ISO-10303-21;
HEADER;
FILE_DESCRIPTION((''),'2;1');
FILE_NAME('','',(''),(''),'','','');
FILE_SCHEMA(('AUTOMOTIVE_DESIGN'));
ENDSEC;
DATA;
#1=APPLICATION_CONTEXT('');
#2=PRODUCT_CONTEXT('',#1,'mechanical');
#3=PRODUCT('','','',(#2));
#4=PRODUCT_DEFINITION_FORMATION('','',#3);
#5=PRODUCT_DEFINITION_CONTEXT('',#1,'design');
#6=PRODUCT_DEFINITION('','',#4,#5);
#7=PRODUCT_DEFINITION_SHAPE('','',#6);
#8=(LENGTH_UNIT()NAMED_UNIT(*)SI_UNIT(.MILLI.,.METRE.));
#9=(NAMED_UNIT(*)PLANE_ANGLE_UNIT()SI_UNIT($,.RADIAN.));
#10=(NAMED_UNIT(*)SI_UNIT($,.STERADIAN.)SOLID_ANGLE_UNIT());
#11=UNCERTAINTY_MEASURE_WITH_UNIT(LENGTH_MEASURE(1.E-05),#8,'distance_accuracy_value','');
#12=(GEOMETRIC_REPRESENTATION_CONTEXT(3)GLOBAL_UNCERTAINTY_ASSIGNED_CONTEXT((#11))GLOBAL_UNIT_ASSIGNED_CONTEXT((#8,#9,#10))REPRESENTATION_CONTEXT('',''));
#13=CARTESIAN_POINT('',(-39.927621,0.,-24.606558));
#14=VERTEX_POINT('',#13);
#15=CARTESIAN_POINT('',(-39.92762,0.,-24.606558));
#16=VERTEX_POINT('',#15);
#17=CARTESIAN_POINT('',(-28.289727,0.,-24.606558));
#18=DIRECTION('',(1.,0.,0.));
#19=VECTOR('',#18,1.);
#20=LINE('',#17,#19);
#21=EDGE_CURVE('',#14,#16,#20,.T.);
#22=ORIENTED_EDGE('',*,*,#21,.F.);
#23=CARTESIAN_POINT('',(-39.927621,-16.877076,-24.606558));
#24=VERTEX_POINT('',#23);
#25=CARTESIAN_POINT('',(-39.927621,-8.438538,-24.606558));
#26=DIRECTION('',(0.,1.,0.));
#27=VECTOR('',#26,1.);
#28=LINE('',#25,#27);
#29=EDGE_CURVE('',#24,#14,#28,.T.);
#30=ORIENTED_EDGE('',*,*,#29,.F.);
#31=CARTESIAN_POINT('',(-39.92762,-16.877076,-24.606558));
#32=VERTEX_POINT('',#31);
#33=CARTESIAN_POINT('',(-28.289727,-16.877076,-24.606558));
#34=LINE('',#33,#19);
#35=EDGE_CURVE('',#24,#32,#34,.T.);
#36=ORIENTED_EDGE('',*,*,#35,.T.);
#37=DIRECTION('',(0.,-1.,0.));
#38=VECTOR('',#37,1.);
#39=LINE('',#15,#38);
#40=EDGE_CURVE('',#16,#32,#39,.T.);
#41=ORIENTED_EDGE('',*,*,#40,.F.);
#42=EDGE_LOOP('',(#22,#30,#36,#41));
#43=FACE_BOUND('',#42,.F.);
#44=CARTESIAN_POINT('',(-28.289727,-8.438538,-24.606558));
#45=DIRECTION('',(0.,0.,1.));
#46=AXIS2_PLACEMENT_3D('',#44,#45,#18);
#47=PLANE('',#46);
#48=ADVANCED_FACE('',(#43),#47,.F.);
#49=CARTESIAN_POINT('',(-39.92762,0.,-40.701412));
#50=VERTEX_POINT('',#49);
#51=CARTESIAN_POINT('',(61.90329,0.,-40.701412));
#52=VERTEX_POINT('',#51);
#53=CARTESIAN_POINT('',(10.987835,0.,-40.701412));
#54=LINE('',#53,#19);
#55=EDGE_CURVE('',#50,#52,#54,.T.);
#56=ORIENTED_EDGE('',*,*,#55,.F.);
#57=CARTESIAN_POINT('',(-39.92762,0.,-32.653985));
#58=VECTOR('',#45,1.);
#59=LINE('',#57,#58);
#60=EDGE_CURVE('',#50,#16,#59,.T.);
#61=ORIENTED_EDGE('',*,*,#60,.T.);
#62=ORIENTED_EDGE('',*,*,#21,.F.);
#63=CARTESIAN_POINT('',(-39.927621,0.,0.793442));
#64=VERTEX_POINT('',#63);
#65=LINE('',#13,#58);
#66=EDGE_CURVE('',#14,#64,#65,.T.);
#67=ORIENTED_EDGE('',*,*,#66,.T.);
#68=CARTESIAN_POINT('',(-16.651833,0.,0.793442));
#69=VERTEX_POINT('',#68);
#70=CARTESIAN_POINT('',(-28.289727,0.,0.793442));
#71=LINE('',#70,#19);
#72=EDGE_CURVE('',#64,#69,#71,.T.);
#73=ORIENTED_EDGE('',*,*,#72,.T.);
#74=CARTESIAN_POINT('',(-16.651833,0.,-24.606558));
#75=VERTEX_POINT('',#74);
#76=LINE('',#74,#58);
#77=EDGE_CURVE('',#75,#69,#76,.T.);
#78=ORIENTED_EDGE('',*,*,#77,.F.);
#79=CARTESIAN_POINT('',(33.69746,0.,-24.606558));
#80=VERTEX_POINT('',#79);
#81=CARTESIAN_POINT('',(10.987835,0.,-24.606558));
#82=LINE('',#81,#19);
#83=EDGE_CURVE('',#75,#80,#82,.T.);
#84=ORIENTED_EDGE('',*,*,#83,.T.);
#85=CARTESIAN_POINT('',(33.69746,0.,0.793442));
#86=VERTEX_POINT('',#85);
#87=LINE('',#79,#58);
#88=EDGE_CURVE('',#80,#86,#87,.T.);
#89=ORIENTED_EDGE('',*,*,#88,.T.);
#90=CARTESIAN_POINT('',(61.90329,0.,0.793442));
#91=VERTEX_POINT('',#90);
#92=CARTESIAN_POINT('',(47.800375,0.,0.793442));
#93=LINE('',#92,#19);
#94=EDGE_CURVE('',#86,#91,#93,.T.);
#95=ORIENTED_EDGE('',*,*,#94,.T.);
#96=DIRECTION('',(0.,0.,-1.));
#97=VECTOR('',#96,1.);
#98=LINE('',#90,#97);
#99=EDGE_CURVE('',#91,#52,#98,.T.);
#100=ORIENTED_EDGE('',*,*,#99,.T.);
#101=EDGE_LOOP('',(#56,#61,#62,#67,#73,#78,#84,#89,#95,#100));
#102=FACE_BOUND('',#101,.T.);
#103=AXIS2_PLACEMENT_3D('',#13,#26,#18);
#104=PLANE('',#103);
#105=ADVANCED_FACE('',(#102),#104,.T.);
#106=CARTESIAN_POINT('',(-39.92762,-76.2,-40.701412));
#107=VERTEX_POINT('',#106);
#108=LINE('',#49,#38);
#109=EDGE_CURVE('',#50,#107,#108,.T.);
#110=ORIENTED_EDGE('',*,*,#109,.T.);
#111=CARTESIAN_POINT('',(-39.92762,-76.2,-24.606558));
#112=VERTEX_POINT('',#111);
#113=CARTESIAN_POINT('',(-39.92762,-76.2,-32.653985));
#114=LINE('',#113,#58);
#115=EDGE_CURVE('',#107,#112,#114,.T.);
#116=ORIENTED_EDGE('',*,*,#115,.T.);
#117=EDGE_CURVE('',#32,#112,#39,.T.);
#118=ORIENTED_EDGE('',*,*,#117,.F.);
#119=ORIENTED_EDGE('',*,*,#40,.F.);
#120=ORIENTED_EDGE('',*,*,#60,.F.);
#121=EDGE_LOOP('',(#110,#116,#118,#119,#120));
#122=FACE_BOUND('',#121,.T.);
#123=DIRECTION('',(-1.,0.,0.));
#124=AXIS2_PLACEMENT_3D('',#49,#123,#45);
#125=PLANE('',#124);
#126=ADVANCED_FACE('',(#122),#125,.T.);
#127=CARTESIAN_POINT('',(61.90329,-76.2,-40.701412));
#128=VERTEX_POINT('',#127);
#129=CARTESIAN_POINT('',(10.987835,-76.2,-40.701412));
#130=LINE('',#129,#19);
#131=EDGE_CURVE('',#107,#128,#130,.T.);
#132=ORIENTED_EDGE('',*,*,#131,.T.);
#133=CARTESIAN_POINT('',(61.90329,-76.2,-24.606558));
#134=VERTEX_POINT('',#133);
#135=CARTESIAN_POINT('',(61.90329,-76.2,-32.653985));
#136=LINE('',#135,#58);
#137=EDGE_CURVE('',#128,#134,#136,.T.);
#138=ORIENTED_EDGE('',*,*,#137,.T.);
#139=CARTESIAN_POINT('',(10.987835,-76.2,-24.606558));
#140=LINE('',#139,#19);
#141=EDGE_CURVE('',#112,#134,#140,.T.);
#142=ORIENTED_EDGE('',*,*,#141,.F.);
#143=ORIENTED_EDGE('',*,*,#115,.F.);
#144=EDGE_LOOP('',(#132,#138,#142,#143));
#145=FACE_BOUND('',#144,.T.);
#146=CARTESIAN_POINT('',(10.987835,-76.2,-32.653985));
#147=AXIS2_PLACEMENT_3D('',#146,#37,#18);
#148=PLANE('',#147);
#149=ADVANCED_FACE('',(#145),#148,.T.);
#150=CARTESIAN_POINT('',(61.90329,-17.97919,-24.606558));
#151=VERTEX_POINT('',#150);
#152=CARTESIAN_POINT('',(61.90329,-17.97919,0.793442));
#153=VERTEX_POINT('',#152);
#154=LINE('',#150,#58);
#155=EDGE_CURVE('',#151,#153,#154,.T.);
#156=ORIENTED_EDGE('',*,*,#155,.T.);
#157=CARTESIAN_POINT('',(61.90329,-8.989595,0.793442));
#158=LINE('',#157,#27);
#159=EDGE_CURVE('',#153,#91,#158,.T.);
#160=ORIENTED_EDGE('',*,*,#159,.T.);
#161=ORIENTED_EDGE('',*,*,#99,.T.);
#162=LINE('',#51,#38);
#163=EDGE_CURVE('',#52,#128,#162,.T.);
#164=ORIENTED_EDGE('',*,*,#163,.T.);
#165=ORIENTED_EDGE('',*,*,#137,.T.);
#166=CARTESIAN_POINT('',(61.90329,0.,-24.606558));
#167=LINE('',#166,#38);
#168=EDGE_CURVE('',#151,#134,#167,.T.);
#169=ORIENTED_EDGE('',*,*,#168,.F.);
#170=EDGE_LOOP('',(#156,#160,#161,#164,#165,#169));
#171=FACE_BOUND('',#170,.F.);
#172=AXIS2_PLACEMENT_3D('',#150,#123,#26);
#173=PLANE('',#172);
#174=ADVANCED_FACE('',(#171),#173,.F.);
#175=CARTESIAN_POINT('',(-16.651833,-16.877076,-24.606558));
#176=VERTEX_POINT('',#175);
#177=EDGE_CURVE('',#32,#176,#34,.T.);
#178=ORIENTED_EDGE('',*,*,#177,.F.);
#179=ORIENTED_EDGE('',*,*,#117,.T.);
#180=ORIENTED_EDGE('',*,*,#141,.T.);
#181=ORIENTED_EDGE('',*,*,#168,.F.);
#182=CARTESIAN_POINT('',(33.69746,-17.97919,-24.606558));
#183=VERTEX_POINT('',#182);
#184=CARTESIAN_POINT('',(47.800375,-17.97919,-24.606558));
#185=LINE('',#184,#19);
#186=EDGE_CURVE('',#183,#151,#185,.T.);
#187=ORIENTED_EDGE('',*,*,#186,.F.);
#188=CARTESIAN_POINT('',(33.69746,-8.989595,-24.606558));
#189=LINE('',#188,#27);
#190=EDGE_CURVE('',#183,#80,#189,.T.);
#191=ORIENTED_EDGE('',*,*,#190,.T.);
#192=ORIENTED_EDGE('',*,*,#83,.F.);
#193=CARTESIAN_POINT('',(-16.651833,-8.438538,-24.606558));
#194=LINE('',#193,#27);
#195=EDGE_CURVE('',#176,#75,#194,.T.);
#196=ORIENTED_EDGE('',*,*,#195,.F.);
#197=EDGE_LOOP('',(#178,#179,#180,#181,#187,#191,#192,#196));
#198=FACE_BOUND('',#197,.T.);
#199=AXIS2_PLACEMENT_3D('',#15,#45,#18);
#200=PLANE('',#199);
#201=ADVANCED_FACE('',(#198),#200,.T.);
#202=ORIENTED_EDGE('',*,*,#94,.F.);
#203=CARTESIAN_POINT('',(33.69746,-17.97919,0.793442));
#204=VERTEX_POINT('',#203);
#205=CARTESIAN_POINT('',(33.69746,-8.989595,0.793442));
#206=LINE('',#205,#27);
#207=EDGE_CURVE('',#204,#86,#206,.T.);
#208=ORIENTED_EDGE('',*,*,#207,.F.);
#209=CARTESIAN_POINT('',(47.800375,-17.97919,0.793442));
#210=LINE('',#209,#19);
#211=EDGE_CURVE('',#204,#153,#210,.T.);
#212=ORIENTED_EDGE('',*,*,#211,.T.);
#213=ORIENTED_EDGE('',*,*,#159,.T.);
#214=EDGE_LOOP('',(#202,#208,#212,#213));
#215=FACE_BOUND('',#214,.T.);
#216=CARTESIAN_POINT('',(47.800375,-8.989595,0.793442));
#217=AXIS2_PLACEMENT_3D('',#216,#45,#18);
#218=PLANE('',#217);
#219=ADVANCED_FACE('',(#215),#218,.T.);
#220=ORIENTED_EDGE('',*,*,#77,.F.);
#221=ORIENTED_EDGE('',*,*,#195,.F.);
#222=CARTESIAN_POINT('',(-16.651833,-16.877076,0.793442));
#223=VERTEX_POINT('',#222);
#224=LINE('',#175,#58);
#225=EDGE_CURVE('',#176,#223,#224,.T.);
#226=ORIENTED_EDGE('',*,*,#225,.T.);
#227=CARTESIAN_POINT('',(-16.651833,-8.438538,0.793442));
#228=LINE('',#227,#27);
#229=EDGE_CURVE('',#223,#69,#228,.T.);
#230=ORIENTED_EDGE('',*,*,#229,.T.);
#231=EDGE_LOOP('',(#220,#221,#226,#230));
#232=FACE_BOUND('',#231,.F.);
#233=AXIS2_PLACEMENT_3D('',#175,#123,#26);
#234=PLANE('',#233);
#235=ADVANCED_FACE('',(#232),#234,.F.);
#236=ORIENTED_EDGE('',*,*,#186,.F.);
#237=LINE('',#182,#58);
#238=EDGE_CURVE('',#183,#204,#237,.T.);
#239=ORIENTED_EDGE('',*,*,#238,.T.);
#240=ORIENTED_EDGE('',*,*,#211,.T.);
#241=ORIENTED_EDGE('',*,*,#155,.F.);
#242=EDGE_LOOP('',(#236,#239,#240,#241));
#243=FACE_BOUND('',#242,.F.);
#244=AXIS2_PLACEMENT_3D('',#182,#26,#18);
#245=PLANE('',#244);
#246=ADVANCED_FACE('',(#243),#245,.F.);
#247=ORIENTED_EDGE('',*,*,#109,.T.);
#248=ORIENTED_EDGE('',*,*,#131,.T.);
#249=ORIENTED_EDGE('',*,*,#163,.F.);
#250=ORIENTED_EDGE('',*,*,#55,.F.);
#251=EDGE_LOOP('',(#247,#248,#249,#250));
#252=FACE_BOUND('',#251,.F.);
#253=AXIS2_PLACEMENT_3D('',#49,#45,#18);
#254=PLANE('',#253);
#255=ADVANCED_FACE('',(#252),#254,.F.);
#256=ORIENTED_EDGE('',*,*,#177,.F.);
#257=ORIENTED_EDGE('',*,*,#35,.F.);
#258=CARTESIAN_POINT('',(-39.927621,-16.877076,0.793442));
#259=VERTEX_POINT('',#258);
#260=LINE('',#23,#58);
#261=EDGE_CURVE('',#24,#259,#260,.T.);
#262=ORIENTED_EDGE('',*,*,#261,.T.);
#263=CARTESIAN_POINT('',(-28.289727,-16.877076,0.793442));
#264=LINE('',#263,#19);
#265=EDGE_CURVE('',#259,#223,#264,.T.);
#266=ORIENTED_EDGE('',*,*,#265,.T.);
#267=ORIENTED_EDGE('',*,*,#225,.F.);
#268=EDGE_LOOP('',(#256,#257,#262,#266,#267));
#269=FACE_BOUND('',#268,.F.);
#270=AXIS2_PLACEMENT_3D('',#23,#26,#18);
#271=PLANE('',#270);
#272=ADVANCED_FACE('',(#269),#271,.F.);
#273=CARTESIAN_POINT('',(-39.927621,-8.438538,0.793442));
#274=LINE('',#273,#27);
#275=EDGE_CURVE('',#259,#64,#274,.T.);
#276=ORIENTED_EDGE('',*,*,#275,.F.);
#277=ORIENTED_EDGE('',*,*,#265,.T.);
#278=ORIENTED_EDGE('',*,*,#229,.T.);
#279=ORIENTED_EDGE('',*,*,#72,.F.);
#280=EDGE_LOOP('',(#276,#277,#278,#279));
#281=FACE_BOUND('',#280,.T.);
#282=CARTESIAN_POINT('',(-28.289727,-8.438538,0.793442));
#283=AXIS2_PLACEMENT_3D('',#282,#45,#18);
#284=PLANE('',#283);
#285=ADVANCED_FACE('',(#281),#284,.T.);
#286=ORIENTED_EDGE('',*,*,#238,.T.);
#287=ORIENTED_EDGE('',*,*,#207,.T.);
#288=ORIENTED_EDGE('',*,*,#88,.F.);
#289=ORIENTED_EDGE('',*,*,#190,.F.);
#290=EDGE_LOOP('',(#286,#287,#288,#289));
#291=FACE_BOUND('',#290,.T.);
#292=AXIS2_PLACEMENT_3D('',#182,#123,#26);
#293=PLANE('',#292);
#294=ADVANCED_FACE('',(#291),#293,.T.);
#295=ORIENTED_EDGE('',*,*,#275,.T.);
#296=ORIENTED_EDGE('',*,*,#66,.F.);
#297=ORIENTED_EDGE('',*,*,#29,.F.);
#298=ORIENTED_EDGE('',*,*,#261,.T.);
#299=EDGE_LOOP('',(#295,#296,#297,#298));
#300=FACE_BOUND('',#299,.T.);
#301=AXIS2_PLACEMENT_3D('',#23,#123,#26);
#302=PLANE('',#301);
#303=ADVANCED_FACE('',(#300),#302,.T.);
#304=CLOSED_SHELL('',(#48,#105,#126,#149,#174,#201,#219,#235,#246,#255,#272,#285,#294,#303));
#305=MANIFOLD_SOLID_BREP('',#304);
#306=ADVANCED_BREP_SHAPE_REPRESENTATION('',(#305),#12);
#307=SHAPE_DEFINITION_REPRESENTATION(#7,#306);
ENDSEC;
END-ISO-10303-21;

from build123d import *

# Parameters (mm, degrees)
F0_W     = 101.83091
F0_H     = 16.094854
F1_DEPTH = 76.2
F2_W     = 28.20583
F2_H     = 17.97919
F3_DEPTH = 25.4
F4_W     = 23.275787
F4_H     = 16.877076
F5_DEPTH = 25.4


with BuildPart() as f1:
    # F0 (on Front) → F1 (new body)
    with BuildSketch(Plane.XZ):
        with Locations((10.987835, -32.653985)):
            Rectangle(F0_W, F0_H)
    extrude(amount=F1_DEPTH)

    # F2 (on face) → F3 (join)
    with BuildSketch(Plane.XY.offset(-24.606558)):
        with Locations((47.800375, -8.989595)):
            Rectangle(F2_W, F2_H)
    extrude(amount=F3_DEPTH)

    # F4 (on face) → F5 (join)
    with BuildSketch(Plane.XY.offset(-24.606558)):
        with Locations((-28.289727, -8.438538)):
            Rectangle(F4_W, F4_H)
    extrude(amount=F5_DEPTH)


solid = f1.part
